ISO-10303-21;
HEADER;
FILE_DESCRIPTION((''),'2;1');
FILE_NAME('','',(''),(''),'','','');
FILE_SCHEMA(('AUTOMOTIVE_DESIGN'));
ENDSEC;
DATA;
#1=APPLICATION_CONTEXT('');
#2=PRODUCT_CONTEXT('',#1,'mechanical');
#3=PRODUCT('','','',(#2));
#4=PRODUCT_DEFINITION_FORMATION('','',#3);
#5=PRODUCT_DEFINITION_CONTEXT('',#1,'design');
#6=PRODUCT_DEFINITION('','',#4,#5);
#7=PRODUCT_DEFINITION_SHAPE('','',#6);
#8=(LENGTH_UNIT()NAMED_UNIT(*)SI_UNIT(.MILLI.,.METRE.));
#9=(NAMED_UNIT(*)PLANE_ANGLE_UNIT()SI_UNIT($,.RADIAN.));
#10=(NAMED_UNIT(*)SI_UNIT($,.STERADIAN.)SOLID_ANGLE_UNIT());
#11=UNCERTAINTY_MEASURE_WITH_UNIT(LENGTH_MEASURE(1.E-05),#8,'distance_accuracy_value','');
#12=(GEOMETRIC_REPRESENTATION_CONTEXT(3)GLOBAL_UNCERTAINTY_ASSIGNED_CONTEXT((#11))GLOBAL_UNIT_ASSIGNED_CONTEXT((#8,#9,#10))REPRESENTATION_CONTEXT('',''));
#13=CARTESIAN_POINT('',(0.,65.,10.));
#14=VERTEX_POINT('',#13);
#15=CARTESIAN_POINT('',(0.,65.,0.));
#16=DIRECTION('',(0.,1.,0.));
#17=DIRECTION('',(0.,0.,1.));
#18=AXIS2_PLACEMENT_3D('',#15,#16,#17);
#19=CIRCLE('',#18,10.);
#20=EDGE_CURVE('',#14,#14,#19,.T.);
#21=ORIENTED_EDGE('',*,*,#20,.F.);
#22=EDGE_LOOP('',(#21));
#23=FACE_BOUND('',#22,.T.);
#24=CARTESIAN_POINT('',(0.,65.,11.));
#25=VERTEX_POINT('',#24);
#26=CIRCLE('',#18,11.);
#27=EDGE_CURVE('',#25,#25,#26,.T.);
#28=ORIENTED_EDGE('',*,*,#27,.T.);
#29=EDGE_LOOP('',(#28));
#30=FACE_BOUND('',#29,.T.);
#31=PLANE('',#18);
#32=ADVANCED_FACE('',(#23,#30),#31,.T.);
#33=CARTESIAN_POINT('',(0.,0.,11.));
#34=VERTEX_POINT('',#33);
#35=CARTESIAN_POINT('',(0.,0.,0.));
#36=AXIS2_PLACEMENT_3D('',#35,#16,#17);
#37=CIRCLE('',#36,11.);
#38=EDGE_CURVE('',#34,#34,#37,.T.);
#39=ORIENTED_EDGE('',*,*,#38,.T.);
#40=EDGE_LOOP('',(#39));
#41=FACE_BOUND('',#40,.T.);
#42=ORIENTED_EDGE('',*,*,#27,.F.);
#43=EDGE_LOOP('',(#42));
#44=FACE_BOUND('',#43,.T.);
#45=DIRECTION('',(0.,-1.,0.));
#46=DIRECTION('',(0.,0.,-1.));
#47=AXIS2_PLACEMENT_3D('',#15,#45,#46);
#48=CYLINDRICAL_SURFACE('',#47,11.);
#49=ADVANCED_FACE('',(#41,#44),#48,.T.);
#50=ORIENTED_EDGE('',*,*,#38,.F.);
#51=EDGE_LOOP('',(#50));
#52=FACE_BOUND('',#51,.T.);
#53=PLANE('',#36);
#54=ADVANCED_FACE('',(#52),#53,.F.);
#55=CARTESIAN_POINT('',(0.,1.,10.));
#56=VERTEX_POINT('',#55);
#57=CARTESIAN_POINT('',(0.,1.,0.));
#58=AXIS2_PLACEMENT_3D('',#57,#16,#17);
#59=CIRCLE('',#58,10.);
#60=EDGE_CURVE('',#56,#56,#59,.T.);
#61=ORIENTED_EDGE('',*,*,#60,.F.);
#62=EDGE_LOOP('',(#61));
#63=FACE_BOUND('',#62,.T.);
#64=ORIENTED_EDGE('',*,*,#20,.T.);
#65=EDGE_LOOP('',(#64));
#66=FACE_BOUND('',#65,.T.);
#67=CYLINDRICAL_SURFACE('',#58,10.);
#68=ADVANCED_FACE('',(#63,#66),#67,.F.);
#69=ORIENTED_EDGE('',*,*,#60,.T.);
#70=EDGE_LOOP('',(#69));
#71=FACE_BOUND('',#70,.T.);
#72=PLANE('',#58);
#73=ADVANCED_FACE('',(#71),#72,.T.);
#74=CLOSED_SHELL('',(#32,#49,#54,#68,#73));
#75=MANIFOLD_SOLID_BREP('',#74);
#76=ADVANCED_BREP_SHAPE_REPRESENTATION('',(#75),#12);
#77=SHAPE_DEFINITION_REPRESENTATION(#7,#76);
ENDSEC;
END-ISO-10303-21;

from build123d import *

# Parameters (mm, degrees)
SKETCH_2_R          = 11
EXTRUDE_5_DEPTH     = 65
SKETCH_3_R          = 10
CUT_EXTRUDE_1_DEPTH = 64


with BuildPart() as part:
    # ｽｹｯﾁ2 → ﾎﾞｽ - 押し出し5 (new body)
    with BuildSketch(Plane(origin=(0, 0, 0), x_dir=(1, 0, 0), z_dir=(0, 1, 0))):
        with Locations(Location((0, 0, 0), (0, 0, 270))):
            Circle(SKETCH_2_R)
    extrude(amount=EXTRUDE_5_DEPTH)

    # ｽｹｯﾁ3 → ｶｯﾄ - 押し出し1 (cut)
    with BuildSketch(Plane(origin=(0, 65, 0), x_dir=(1, 0, 0), z_dir=(0, 1, 0))):
        with Locations(Location((0, 0, 0), (0, 0, 270))):
            Circle(SKETCH_3_R)
    extrude(amount=-CUT_EXTRUDE_1_DEPTH, mode=Mode.SUBTRACT)


solid = part.part
